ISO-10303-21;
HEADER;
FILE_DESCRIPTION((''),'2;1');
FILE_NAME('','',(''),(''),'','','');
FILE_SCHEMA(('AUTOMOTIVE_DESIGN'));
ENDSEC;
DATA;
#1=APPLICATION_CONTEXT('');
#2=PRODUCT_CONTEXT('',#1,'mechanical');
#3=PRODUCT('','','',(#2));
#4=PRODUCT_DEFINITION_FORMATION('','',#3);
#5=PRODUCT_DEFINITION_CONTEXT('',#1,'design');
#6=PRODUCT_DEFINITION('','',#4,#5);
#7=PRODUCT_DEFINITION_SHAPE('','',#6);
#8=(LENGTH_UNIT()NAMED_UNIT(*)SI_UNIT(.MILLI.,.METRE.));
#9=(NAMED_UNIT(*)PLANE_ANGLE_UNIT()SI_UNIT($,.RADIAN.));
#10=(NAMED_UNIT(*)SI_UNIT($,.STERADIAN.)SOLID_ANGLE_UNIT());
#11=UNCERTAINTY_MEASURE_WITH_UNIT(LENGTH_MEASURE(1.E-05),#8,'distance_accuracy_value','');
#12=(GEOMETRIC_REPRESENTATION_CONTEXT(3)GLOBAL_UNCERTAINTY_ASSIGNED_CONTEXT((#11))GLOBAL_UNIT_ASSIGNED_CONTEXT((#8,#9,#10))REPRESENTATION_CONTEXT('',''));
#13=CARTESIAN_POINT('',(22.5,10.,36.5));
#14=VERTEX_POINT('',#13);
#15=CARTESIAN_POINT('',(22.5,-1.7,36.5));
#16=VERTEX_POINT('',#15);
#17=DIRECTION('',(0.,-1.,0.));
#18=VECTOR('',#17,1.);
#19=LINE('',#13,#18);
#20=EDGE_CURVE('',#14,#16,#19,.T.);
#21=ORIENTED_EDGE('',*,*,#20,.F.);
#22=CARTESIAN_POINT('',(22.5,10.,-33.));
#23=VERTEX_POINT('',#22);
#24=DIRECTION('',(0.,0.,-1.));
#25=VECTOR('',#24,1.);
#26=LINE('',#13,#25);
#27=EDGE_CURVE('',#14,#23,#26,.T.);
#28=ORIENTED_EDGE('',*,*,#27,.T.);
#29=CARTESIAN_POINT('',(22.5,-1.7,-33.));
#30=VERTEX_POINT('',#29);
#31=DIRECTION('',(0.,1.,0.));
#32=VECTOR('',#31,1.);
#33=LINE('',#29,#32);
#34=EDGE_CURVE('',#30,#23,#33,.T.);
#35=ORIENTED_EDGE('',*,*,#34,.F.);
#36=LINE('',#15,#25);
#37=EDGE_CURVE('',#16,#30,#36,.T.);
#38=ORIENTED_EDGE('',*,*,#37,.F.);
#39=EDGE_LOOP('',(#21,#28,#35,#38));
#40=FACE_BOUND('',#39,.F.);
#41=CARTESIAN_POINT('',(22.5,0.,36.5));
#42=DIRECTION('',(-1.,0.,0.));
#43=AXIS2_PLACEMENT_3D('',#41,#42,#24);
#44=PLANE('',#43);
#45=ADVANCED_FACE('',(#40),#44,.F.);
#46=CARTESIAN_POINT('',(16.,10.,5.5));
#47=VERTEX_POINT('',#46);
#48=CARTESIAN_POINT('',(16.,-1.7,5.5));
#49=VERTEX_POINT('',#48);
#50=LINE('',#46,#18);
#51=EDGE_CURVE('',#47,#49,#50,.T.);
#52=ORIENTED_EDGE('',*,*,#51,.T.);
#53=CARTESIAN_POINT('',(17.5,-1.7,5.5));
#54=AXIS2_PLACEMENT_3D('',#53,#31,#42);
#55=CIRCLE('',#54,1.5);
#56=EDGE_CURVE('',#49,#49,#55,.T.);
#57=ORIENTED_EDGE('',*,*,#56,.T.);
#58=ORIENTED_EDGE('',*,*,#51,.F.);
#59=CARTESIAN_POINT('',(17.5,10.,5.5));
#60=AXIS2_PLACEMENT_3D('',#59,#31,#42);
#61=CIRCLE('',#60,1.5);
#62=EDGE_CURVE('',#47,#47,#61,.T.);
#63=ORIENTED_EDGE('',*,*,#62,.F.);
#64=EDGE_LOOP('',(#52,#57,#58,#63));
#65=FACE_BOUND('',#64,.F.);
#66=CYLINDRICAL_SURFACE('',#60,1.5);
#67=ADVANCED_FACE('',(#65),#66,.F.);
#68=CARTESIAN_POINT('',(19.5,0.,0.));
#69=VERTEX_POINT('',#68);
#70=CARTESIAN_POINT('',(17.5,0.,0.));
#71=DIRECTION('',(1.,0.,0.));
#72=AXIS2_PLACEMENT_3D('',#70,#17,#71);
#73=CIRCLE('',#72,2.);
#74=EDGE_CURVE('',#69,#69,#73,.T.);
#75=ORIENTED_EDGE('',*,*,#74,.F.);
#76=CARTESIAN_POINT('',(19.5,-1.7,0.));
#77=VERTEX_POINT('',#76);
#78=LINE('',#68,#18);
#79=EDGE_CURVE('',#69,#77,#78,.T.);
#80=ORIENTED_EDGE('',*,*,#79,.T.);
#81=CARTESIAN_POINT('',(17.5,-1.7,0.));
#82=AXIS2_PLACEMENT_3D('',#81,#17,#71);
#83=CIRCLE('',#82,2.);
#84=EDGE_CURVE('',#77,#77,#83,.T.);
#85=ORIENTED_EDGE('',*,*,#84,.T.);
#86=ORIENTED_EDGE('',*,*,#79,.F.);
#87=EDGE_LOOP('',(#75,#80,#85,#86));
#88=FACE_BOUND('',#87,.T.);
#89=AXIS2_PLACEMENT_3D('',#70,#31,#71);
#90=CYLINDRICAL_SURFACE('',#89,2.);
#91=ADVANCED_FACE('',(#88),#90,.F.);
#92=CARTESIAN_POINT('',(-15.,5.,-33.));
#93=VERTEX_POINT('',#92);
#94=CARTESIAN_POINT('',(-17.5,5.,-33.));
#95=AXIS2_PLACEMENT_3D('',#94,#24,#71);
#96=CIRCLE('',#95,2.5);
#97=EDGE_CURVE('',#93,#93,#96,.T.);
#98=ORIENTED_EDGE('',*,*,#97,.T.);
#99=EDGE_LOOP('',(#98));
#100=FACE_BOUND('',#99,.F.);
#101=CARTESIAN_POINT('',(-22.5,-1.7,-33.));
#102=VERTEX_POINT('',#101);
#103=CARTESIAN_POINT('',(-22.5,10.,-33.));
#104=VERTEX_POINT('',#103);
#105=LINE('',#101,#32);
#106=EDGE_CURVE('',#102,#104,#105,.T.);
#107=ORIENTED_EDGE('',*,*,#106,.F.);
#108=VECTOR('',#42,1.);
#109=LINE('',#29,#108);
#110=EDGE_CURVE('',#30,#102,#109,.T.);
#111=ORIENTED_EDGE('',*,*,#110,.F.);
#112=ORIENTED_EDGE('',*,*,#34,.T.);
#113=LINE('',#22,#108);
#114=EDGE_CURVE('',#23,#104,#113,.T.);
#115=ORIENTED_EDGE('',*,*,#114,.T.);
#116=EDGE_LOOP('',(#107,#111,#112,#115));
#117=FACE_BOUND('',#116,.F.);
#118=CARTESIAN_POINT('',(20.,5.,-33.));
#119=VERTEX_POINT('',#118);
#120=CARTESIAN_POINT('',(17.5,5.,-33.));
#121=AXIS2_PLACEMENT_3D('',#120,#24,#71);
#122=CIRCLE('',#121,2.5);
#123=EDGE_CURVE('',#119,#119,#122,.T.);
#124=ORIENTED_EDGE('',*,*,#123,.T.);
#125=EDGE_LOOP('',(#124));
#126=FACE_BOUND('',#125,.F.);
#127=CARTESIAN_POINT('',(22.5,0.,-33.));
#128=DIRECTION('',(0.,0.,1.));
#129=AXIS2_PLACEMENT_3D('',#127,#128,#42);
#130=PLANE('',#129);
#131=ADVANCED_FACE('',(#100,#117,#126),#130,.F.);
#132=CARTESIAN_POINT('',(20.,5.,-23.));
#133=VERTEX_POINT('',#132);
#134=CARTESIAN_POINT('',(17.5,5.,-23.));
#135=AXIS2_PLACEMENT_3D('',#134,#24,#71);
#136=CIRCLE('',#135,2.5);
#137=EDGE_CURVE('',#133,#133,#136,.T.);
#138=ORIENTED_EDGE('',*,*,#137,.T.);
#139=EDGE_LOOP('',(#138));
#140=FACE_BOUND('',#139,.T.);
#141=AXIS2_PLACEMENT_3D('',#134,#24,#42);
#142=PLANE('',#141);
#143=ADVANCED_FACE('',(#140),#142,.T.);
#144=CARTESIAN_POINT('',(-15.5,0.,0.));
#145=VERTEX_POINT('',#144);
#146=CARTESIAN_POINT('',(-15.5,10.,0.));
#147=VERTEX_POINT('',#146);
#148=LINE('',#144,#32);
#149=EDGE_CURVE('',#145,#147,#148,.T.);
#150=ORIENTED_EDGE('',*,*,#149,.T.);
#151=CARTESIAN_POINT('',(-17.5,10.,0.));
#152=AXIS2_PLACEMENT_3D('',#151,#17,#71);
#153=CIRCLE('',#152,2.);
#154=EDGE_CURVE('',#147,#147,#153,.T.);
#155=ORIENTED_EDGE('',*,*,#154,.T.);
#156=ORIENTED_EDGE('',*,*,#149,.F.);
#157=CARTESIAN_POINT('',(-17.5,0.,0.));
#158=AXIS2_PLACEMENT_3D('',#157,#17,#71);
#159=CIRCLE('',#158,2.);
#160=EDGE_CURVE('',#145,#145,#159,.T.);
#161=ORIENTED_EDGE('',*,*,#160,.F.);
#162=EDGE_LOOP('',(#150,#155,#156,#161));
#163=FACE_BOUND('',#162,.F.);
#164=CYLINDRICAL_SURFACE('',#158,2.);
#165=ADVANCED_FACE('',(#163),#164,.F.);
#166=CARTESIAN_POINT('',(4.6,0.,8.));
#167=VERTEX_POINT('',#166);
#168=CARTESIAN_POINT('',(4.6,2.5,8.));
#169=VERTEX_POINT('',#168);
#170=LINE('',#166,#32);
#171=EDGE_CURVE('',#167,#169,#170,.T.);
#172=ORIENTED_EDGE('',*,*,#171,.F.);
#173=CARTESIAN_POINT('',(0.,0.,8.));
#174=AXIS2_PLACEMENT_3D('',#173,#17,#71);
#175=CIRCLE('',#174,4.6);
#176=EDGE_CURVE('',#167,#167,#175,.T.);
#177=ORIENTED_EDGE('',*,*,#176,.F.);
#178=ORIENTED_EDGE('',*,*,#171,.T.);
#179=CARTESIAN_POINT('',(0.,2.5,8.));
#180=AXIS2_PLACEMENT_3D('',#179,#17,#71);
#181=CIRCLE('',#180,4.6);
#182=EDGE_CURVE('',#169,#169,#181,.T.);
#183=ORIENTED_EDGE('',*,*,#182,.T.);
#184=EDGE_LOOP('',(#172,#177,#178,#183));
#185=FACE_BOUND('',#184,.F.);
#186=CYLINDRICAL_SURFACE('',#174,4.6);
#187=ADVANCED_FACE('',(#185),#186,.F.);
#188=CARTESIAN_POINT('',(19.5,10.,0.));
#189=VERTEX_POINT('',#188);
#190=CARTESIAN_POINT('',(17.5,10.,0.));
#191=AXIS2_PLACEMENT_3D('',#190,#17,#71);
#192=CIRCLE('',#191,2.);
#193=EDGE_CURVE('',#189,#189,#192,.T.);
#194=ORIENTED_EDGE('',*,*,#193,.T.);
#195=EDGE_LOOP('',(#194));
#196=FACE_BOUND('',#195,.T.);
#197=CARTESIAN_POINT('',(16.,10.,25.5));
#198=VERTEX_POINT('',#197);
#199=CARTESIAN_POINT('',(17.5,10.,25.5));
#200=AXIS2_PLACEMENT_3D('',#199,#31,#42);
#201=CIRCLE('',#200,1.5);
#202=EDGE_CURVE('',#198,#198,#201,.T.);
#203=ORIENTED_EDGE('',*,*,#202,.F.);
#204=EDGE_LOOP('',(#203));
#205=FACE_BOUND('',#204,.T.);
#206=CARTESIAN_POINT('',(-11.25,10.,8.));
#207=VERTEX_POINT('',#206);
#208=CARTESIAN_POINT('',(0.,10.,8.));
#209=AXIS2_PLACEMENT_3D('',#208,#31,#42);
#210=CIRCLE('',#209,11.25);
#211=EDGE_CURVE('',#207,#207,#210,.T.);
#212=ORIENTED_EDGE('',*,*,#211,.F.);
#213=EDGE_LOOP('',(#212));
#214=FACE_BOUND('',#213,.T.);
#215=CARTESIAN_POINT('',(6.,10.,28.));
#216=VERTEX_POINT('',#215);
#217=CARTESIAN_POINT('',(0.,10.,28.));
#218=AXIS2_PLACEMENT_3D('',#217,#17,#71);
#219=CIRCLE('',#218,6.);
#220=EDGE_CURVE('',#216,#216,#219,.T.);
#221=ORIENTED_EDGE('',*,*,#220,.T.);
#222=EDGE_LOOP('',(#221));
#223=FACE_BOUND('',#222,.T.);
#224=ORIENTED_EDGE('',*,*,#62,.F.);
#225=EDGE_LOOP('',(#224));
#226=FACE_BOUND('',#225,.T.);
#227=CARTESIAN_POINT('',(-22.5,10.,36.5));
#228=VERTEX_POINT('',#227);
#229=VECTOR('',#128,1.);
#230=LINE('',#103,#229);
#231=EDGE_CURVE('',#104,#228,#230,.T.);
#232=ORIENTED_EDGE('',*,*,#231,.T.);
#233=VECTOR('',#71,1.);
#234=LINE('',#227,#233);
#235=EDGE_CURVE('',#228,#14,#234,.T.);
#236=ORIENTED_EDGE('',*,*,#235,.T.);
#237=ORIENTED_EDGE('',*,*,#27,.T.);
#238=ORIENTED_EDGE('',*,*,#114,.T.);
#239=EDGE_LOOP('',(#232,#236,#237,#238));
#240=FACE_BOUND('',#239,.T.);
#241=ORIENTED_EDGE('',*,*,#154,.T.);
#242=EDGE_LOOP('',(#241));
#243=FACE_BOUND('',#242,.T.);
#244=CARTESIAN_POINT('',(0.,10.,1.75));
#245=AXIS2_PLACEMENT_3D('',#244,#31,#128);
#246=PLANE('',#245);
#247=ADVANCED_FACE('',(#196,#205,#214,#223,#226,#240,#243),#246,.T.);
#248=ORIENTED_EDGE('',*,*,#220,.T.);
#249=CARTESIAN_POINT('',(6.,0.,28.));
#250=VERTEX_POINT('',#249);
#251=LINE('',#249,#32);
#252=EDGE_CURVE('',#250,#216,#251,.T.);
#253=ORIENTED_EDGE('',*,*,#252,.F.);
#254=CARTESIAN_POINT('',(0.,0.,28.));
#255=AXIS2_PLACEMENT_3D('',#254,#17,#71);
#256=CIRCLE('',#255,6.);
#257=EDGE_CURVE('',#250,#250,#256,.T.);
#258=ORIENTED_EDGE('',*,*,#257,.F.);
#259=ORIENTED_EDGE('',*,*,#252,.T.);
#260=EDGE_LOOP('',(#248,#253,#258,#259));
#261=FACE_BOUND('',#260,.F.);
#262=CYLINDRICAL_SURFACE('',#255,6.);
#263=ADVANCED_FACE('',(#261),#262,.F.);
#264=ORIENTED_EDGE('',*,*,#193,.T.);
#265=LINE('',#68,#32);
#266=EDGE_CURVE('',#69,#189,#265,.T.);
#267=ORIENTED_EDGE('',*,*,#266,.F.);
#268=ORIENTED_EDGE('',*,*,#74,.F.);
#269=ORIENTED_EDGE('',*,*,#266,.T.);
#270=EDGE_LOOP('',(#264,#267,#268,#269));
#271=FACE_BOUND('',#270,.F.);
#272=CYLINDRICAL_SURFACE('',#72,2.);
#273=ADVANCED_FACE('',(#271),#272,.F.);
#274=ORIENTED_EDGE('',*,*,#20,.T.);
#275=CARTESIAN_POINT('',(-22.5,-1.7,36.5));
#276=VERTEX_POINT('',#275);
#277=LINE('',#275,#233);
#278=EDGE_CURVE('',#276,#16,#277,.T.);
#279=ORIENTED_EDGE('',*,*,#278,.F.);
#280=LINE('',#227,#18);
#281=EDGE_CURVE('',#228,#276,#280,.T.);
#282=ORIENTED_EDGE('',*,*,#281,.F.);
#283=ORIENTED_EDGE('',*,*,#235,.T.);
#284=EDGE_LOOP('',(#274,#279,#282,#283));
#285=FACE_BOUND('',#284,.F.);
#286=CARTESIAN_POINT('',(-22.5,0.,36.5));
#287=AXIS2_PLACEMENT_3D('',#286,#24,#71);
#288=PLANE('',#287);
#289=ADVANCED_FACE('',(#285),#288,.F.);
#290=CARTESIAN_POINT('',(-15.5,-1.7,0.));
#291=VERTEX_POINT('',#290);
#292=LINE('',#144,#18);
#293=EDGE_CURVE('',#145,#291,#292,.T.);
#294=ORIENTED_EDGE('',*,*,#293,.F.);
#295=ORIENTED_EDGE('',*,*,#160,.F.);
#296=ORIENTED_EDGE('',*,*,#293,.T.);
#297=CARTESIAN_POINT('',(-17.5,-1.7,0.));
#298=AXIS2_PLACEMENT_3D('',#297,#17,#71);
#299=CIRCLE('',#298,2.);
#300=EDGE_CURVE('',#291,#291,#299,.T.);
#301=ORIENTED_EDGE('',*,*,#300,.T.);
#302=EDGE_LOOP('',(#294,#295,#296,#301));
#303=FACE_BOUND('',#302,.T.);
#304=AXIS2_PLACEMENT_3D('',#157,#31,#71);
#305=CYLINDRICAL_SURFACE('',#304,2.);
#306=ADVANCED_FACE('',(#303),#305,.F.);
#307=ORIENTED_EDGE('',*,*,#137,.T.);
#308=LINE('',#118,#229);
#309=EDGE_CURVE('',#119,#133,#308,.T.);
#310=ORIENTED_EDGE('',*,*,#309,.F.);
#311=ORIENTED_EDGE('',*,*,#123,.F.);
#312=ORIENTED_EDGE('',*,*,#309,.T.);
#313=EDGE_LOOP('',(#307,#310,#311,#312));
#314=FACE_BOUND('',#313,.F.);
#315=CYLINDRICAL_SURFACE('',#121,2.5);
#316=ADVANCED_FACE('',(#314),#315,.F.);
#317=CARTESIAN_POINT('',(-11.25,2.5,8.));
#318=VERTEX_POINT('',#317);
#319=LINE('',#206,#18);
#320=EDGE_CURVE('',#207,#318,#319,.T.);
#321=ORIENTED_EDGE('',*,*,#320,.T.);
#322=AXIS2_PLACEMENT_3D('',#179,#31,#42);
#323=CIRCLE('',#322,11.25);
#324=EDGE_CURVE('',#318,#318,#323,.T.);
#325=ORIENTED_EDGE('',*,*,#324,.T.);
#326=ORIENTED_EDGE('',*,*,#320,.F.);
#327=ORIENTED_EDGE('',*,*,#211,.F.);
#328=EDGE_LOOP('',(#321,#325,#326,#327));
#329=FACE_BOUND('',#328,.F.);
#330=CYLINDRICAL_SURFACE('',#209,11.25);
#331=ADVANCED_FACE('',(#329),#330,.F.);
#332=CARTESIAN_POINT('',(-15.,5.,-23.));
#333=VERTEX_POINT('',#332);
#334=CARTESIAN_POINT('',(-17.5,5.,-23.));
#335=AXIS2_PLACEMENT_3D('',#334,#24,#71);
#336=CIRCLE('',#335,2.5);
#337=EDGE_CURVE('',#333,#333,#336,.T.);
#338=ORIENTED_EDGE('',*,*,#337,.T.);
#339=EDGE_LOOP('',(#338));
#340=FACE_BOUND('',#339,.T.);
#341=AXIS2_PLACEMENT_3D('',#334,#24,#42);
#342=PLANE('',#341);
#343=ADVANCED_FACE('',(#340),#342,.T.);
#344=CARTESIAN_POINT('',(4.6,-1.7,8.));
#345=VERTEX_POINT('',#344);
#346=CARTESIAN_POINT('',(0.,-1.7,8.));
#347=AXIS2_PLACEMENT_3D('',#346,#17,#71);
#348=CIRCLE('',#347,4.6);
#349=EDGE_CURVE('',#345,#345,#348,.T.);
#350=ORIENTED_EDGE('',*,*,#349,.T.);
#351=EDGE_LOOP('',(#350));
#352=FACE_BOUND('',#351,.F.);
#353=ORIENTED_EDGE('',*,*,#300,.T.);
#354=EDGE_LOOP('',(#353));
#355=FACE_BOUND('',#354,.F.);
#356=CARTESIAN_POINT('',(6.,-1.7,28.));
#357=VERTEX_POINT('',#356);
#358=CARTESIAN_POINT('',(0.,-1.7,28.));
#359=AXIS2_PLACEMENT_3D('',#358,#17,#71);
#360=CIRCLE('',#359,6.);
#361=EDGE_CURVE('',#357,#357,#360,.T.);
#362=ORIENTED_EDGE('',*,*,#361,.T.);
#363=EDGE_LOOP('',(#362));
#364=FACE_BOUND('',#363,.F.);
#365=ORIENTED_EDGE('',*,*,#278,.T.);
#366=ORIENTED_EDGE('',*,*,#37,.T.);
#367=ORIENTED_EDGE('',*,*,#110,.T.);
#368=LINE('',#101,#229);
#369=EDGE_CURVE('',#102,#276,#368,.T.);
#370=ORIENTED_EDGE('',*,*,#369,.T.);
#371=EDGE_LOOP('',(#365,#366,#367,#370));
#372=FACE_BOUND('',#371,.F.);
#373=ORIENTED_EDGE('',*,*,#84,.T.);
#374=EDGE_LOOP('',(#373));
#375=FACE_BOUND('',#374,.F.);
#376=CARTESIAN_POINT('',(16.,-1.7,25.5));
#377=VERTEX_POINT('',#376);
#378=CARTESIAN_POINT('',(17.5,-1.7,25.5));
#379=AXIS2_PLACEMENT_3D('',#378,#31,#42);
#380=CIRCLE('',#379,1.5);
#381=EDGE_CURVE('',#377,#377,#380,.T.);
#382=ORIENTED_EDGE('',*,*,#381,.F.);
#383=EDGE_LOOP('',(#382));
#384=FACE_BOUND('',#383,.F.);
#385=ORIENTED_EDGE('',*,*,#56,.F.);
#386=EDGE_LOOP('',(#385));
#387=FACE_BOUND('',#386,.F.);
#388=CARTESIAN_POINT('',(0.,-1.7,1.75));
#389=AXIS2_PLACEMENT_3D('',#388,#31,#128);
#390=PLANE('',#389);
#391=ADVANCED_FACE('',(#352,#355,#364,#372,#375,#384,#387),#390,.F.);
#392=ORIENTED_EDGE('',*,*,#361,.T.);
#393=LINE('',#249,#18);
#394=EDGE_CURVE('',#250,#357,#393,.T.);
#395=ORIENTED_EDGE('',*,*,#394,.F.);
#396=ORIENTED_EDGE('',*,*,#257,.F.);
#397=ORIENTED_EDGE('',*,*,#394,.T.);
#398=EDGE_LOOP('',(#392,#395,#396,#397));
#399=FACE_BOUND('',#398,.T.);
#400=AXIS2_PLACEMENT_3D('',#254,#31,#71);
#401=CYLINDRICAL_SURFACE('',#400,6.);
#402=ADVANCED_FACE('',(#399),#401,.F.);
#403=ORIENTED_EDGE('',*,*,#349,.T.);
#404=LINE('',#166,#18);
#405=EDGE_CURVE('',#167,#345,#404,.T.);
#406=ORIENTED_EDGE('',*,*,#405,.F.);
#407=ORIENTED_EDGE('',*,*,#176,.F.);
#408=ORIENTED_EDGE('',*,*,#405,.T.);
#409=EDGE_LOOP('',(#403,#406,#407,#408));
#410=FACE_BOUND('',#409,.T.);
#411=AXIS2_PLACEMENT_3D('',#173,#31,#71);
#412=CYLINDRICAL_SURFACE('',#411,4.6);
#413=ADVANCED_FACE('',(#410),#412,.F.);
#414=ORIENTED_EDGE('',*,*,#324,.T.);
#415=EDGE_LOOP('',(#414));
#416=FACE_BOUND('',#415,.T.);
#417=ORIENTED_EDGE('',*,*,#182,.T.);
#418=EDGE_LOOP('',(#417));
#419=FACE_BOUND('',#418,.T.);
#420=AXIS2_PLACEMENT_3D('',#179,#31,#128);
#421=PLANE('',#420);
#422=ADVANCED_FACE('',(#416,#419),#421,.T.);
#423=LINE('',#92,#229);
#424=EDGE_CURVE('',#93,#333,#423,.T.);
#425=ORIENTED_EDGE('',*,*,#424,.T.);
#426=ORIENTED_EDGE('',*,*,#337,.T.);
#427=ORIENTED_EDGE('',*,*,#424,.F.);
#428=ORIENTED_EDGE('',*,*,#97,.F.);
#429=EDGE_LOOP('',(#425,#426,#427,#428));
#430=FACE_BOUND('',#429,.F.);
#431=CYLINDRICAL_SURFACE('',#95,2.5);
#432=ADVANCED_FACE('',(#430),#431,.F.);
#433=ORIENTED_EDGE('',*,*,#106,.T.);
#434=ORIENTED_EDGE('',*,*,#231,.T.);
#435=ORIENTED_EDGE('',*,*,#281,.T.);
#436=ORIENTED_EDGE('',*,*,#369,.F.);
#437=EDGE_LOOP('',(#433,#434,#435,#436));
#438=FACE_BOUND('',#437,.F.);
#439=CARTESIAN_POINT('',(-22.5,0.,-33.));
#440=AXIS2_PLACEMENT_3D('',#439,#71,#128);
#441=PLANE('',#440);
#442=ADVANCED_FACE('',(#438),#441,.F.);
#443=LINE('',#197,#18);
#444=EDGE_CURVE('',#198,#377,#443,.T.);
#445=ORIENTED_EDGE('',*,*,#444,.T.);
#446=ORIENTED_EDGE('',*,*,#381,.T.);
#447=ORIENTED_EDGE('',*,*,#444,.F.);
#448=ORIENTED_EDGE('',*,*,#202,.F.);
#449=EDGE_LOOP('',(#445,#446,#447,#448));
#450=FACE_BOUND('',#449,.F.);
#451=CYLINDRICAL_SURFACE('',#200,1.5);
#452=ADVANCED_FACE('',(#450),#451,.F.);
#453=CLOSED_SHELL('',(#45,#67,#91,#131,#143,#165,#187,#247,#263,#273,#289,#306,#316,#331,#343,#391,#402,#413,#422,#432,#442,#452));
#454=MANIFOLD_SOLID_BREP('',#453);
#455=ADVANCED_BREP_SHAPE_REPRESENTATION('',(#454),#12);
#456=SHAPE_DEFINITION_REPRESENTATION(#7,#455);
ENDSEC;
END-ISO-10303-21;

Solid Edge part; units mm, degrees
sketch "Sketch1" plane through (0, 0, 0) normal (0, -1, 0) x (1, 0, 0)
  line L0 (22.5, 36.5) -> (22.5, -33)
  line L1 (22.5, -33) -> (-22.5, -33)
  line L2 (-22.5, -33) -> (-22.5, 36.5)
  line L3 (-22.5, 36.5) -> (22.5, 36.5)
  circle A0 centre (0, 28) radius 6
  circle A1 centre (0, 8) radius 4.6
  circle A2 centre (-17.5, 0) radius 2
  circle A3 centre (17.5, 0) radius 2
  dimension "D1" = 35
  dimension "D2" = 17.5
  dimension "D3" = 4
  dimension "D4" = 9.2
  dimension "D5" = 8
  dimension "D6" = 11.2
  dimension "D7" = 5.6
  dimension "D8" = 15
  dimension "D9" = 24
  dimension "D10" = 45
  dimension "D11" = 17
  dimension "D12" = 13.5
  dimension "D13" = 12
  dimension "D14" = 20
extrude "Protrusion1" add sketch "Sketch1" against normal blind 10
sketch "Sketch2" plane through (0, 10, 4.6) normal (0, 1, 0) x (-1, 0, 0)
  circle A0 centre (0, 3.4) radius 11.25
extrude "ExtrudedCutout_1" cut sketch "Sketch2" against normal blind 7.5
sketch "Sketch3" plane through (0, 5, -33) normal (0, 0, -1) x (1, 0, 0)
  circle A0 centre (-17.5, 0) radius 2.5
  circle A1 centre (17.5, 0) radius 2.5
  dimension "D1" = 5
  dimension "D2" = 5
  dimension "D3" = 5
extrude "ExtrudedCutout_2" cut sketch "Sketch3" against normal blind 10
sketch "Sketch4" plane through (0, 0, 0) normal (0, -1, 0) x (1, 0, 0)
  line L0 (-22.5, 36.5) -> (22.5, 36.5)
  line L1 (22.5, 36.5) -> (22.5, -33)
  line L2 (22.5, -33) -> (-22.5, -33)
  line L3 (-22.5, -33) -> (-22.5, 36.5)
  circle A0 centre (0, 8) radius 4.6
  circle A1 centre (0, 28) radius 6
  circle A2 centre (-17.5, 0) radius 2
  circle A3 centre (17.5, 0) radius 2
  dimension "D1" = 35
  dimension "D2" = 17.5
  dimension "D3" = 4
  dimension "D4" = 9.2
  dimension "D5" = 8
  dimension "D6" = 11.2
  dimension "D7" = 5.6
  dimension "D8" = 15
  dimension "D9" = 24
  dimension "D10" = 45
  dimension "D11" = 17
  dimension "D12" = 13.5
  dimension "D13" = 12
  dimension "D14" = 20
extrude "ExtrudedProtrusion_2" add sketch "Sketch4" along normal blind 1.7
sketch "Sketch5" plane through (0, 10, 3.5) normal (0, 1, 0) x (-1, 0, 0)
  circle A0 centre (-17.5, 22) radius 1.5
  circle A1 centre (-17.5, 2) radius 1.5
  dimension "D1" = 3
  dimension "D2" = 20
  dimension "D3" = 5
  dimension "D4" = 5.5
extrude "Cutout1" cut sketch "Sketch5" against normal up to next
